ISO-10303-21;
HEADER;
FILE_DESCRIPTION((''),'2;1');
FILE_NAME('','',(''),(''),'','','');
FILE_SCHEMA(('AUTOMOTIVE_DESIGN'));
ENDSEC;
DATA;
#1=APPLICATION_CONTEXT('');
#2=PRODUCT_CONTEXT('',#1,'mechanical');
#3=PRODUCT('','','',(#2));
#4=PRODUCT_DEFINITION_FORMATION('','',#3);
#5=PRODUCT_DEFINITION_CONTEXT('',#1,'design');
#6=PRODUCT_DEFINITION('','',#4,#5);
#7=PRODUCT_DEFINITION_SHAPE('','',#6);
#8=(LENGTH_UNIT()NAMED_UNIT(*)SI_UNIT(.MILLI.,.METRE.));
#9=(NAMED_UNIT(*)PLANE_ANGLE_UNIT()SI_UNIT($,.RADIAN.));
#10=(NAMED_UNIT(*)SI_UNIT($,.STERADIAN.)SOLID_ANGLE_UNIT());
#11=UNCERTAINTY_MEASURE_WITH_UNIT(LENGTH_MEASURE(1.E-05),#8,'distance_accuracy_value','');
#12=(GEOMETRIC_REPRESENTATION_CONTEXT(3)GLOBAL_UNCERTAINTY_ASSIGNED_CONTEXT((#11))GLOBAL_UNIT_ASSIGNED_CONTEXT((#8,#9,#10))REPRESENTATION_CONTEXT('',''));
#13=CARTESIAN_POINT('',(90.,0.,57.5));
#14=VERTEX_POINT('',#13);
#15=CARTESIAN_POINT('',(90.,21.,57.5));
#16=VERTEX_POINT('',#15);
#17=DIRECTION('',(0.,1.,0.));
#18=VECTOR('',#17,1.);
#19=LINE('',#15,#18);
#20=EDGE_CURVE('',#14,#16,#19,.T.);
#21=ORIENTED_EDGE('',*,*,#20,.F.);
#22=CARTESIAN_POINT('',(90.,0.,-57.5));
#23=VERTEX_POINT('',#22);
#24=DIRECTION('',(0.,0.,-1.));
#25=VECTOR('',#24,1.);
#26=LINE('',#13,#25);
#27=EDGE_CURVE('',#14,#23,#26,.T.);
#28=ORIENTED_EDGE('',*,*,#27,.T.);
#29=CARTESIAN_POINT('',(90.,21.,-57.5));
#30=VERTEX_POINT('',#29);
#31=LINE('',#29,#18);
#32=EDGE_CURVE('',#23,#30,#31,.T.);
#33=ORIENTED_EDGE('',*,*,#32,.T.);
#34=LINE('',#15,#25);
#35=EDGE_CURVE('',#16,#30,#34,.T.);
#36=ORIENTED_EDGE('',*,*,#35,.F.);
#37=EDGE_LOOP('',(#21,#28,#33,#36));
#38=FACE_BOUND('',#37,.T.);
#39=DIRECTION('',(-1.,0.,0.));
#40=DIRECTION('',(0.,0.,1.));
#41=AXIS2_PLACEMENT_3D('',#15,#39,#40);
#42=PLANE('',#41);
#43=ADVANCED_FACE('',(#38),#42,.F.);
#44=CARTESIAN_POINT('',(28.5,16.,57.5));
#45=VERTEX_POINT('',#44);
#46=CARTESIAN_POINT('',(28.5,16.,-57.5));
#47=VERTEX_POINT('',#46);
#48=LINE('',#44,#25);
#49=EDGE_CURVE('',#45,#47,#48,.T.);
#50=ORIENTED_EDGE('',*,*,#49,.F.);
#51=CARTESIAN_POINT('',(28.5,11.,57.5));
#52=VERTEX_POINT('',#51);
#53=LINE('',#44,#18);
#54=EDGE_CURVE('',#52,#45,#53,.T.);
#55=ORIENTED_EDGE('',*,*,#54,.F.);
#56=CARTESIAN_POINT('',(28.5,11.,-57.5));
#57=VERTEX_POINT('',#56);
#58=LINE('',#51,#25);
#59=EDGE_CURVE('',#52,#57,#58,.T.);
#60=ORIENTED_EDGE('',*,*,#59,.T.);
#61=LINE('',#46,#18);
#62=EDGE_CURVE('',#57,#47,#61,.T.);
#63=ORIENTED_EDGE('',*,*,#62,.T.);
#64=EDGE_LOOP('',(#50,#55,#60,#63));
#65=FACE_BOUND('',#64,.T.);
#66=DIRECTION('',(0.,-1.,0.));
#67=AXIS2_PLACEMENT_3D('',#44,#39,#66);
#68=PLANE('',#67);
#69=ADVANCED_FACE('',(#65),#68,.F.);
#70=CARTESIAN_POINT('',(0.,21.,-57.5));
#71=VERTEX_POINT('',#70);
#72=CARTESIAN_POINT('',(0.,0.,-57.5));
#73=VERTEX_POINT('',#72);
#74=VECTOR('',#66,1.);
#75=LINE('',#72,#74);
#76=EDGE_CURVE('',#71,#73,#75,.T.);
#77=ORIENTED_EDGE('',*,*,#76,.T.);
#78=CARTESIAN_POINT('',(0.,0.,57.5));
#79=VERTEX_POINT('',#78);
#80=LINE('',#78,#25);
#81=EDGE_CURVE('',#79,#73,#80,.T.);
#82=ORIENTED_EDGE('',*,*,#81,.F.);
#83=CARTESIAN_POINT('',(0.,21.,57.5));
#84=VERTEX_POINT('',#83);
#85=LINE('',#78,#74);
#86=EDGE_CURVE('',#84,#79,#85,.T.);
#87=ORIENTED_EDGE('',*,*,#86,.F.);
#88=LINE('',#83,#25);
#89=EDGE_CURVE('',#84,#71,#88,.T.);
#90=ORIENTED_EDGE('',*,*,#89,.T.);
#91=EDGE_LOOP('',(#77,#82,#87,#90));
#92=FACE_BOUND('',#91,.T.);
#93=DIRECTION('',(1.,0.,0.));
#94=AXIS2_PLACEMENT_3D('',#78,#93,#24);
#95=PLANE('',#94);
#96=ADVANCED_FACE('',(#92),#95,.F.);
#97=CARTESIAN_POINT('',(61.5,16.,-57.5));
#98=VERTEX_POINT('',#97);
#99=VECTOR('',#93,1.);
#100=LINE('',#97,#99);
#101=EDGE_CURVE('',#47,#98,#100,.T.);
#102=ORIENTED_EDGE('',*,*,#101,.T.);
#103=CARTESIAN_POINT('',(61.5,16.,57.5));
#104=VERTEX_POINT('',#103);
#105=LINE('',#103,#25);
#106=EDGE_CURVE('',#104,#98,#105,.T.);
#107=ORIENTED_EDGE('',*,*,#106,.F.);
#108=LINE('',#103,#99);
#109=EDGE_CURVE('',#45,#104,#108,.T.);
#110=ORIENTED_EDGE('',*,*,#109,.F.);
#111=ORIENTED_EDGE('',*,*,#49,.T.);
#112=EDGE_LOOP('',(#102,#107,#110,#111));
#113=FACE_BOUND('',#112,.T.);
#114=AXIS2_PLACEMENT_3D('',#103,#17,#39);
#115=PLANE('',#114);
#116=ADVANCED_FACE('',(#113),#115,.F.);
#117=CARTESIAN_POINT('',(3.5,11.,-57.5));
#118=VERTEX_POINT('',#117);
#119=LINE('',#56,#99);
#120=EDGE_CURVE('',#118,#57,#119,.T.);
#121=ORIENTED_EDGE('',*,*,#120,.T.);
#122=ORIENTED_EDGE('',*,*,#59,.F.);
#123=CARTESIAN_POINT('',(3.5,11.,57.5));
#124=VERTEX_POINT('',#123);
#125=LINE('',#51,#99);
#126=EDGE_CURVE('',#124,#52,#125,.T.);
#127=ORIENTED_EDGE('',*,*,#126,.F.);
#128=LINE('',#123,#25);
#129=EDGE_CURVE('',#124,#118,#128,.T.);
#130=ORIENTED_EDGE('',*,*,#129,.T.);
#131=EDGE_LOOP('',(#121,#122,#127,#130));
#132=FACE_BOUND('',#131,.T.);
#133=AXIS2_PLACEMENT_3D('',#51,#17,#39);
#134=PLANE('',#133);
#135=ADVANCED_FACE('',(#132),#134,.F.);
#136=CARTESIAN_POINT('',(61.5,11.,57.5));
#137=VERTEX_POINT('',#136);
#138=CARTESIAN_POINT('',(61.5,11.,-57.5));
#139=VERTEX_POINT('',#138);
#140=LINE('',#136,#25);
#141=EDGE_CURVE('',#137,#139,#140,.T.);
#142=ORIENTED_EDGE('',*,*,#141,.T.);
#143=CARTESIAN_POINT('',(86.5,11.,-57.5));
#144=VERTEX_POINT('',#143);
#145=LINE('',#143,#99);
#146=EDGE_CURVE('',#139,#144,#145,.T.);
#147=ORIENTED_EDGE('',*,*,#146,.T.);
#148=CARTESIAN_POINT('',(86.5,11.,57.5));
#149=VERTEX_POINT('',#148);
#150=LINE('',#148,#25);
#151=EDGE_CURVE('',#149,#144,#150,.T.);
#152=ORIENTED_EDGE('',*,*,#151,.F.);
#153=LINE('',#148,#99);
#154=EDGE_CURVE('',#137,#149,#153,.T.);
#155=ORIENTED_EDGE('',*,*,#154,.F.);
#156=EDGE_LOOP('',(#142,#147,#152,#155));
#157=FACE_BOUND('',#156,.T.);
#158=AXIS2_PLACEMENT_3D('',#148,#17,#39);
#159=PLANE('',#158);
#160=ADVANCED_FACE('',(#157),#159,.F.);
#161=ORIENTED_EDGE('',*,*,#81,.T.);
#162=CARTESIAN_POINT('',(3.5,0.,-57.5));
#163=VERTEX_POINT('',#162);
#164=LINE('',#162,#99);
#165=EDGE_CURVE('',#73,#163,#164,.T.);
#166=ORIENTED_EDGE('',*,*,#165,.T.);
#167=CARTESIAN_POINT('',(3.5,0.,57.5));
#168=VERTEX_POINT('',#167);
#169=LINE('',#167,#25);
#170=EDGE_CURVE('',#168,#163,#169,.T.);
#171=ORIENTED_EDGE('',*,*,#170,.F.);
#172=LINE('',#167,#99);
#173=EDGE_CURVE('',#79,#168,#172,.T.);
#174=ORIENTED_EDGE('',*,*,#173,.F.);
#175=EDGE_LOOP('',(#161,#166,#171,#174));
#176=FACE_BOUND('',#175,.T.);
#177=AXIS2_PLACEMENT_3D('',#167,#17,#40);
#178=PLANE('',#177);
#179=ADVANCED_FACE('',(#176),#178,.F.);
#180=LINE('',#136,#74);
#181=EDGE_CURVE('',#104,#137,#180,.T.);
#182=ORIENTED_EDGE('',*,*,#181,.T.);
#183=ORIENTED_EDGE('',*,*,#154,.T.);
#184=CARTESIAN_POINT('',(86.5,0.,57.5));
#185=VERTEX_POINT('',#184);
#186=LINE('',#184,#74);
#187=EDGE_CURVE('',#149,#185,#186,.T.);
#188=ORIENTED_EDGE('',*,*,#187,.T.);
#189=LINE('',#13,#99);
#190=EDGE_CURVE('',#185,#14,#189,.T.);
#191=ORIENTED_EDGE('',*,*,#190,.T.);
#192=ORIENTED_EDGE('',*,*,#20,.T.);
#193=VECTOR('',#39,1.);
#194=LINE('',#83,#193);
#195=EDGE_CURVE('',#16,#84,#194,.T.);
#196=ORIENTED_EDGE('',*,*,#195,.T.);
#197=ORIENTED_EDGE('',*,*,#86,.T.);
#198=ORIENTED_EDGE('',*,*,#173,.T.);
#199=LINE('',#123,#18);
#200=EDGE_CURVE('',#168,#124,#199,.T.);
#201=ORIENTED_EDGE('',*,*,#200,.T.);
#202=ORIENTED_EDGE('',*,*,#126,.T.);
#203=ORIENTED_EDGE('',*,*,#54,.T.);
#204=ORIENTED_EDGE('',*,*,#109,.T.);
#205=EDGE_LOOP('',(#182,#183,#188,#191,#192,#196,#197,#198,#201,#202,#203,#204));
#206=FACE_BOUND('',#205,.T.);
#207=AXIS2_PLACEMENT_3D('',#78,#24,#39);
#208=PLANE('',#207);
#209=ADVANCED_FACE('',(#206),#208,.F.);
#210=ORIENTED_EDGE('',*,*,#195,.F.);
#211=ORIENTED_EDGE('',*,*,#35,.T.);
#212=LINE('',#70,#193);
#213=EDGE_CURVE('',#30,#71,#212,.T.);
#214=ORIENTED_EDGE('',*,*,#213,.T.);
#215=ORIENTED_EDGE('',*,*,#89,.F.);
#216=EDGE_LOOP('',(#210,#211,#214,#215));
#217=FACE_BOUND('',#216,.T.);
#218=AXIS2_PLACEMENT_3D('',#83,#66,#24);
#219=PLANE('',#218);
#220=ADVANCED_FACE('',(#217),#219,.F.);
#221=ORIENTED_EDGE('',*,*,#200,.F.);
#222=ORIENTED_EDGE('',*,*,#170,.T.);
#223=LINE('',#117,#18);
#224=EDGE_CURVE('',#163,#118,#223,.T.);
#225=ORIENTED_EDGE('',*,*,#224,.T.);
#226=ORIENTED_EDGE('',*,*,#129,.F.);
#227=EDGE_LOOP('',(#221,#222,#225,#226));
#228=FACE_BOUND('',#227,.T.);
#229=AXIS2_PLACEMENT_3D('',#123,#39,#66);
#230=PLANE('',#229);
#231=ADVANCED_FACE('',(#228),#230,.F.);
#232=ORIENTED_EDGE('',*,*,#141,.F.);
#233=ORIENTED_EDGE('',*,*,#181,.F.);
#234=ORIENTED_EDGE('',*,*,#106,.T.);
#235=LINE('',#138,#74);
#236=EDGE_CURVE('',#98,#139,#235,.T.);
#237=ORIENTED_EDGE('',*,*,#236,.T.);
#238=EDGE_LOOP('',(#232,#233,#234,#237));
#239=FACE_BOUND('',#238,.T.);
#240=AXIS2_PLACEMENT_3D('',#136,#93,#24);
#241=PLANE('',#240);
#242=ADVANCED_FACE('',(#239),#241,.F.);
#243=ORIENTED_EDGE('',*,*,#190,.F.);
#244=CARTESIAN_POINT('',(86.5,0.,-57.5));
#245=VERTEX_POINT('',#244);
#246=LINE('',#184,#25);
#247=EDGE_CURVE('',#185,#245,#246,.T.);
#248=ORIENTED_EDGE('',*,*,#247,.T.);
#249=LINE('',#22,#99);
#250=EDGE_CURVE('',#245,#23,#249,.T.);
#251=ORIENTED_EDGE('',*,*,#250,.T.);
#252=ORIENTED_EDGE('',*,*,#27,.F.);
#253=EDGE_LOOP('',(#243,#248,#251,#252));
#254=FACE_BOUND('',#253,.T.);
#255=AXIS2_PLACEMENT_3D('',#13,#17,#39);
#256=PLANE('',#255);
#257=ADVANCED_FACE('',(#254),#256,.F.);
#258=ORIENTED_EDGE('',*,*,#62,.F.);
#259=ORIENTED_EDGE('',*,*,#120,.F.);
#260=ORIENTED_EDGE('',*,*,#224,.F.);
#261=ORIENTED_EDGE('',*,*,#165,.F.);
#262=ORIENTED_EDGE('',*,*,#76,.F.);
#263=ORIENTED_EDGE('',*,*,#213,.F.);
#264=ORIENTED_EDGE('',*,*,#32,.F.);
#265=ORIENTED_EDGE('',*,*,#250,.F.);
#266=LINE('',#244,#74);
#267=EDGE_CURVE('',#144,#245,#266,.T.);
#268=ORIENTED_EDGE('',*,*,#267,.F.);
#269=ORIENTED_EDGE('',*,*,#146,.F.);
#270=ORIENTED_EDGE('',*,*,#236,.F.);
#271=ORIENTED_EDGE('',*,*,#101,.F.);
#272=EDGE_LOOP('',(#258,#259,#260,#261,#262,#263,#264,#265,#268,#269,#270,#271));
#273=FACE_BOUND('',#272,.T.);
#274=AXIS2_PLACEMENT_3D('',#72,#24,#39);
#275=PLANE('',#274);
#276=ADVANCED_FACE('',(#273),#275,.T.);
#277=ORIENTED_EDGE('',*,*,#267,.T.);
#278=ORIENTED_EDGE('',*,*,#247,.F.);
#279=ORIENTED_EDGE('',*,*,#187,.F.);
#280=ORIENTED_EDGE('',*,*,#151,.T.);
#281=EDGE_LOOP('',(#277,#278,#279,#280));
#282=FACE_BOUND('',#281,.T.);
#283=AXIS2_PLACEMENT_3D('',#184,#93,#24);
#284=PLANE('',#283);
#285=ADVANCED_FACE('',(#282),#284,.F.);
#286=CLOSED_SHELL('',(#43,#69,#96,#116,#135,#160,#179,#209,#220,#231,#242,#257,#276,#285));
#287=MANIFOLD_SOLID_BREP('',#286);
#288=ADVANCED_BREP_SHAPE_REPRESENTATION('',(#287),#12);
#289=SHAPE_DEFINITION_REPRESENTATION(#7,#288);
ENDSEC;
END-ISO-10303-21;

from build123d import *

# Parameters (mm, degrees)
BOSS_EXTRUDE1_DEPTH = 57.5


with BuildPart() as part:
    # Sketch1 → Boss-Extrude1 (new, symmetric)
    with BuildSketch(Plane.XY):
        Polygon((0, 0), (0, 21), (90, 21), (90, 0), (86.5, 0), (86.5, 11), (61.5, 11), (61.5, 16), (28.5, 16), (28.5, 11), (3.5, 11), (3.5, 0), align=None)
    extrude(amount=BOSS_EXTRUDE1_DEPTH, both=True)


solid = part.part
